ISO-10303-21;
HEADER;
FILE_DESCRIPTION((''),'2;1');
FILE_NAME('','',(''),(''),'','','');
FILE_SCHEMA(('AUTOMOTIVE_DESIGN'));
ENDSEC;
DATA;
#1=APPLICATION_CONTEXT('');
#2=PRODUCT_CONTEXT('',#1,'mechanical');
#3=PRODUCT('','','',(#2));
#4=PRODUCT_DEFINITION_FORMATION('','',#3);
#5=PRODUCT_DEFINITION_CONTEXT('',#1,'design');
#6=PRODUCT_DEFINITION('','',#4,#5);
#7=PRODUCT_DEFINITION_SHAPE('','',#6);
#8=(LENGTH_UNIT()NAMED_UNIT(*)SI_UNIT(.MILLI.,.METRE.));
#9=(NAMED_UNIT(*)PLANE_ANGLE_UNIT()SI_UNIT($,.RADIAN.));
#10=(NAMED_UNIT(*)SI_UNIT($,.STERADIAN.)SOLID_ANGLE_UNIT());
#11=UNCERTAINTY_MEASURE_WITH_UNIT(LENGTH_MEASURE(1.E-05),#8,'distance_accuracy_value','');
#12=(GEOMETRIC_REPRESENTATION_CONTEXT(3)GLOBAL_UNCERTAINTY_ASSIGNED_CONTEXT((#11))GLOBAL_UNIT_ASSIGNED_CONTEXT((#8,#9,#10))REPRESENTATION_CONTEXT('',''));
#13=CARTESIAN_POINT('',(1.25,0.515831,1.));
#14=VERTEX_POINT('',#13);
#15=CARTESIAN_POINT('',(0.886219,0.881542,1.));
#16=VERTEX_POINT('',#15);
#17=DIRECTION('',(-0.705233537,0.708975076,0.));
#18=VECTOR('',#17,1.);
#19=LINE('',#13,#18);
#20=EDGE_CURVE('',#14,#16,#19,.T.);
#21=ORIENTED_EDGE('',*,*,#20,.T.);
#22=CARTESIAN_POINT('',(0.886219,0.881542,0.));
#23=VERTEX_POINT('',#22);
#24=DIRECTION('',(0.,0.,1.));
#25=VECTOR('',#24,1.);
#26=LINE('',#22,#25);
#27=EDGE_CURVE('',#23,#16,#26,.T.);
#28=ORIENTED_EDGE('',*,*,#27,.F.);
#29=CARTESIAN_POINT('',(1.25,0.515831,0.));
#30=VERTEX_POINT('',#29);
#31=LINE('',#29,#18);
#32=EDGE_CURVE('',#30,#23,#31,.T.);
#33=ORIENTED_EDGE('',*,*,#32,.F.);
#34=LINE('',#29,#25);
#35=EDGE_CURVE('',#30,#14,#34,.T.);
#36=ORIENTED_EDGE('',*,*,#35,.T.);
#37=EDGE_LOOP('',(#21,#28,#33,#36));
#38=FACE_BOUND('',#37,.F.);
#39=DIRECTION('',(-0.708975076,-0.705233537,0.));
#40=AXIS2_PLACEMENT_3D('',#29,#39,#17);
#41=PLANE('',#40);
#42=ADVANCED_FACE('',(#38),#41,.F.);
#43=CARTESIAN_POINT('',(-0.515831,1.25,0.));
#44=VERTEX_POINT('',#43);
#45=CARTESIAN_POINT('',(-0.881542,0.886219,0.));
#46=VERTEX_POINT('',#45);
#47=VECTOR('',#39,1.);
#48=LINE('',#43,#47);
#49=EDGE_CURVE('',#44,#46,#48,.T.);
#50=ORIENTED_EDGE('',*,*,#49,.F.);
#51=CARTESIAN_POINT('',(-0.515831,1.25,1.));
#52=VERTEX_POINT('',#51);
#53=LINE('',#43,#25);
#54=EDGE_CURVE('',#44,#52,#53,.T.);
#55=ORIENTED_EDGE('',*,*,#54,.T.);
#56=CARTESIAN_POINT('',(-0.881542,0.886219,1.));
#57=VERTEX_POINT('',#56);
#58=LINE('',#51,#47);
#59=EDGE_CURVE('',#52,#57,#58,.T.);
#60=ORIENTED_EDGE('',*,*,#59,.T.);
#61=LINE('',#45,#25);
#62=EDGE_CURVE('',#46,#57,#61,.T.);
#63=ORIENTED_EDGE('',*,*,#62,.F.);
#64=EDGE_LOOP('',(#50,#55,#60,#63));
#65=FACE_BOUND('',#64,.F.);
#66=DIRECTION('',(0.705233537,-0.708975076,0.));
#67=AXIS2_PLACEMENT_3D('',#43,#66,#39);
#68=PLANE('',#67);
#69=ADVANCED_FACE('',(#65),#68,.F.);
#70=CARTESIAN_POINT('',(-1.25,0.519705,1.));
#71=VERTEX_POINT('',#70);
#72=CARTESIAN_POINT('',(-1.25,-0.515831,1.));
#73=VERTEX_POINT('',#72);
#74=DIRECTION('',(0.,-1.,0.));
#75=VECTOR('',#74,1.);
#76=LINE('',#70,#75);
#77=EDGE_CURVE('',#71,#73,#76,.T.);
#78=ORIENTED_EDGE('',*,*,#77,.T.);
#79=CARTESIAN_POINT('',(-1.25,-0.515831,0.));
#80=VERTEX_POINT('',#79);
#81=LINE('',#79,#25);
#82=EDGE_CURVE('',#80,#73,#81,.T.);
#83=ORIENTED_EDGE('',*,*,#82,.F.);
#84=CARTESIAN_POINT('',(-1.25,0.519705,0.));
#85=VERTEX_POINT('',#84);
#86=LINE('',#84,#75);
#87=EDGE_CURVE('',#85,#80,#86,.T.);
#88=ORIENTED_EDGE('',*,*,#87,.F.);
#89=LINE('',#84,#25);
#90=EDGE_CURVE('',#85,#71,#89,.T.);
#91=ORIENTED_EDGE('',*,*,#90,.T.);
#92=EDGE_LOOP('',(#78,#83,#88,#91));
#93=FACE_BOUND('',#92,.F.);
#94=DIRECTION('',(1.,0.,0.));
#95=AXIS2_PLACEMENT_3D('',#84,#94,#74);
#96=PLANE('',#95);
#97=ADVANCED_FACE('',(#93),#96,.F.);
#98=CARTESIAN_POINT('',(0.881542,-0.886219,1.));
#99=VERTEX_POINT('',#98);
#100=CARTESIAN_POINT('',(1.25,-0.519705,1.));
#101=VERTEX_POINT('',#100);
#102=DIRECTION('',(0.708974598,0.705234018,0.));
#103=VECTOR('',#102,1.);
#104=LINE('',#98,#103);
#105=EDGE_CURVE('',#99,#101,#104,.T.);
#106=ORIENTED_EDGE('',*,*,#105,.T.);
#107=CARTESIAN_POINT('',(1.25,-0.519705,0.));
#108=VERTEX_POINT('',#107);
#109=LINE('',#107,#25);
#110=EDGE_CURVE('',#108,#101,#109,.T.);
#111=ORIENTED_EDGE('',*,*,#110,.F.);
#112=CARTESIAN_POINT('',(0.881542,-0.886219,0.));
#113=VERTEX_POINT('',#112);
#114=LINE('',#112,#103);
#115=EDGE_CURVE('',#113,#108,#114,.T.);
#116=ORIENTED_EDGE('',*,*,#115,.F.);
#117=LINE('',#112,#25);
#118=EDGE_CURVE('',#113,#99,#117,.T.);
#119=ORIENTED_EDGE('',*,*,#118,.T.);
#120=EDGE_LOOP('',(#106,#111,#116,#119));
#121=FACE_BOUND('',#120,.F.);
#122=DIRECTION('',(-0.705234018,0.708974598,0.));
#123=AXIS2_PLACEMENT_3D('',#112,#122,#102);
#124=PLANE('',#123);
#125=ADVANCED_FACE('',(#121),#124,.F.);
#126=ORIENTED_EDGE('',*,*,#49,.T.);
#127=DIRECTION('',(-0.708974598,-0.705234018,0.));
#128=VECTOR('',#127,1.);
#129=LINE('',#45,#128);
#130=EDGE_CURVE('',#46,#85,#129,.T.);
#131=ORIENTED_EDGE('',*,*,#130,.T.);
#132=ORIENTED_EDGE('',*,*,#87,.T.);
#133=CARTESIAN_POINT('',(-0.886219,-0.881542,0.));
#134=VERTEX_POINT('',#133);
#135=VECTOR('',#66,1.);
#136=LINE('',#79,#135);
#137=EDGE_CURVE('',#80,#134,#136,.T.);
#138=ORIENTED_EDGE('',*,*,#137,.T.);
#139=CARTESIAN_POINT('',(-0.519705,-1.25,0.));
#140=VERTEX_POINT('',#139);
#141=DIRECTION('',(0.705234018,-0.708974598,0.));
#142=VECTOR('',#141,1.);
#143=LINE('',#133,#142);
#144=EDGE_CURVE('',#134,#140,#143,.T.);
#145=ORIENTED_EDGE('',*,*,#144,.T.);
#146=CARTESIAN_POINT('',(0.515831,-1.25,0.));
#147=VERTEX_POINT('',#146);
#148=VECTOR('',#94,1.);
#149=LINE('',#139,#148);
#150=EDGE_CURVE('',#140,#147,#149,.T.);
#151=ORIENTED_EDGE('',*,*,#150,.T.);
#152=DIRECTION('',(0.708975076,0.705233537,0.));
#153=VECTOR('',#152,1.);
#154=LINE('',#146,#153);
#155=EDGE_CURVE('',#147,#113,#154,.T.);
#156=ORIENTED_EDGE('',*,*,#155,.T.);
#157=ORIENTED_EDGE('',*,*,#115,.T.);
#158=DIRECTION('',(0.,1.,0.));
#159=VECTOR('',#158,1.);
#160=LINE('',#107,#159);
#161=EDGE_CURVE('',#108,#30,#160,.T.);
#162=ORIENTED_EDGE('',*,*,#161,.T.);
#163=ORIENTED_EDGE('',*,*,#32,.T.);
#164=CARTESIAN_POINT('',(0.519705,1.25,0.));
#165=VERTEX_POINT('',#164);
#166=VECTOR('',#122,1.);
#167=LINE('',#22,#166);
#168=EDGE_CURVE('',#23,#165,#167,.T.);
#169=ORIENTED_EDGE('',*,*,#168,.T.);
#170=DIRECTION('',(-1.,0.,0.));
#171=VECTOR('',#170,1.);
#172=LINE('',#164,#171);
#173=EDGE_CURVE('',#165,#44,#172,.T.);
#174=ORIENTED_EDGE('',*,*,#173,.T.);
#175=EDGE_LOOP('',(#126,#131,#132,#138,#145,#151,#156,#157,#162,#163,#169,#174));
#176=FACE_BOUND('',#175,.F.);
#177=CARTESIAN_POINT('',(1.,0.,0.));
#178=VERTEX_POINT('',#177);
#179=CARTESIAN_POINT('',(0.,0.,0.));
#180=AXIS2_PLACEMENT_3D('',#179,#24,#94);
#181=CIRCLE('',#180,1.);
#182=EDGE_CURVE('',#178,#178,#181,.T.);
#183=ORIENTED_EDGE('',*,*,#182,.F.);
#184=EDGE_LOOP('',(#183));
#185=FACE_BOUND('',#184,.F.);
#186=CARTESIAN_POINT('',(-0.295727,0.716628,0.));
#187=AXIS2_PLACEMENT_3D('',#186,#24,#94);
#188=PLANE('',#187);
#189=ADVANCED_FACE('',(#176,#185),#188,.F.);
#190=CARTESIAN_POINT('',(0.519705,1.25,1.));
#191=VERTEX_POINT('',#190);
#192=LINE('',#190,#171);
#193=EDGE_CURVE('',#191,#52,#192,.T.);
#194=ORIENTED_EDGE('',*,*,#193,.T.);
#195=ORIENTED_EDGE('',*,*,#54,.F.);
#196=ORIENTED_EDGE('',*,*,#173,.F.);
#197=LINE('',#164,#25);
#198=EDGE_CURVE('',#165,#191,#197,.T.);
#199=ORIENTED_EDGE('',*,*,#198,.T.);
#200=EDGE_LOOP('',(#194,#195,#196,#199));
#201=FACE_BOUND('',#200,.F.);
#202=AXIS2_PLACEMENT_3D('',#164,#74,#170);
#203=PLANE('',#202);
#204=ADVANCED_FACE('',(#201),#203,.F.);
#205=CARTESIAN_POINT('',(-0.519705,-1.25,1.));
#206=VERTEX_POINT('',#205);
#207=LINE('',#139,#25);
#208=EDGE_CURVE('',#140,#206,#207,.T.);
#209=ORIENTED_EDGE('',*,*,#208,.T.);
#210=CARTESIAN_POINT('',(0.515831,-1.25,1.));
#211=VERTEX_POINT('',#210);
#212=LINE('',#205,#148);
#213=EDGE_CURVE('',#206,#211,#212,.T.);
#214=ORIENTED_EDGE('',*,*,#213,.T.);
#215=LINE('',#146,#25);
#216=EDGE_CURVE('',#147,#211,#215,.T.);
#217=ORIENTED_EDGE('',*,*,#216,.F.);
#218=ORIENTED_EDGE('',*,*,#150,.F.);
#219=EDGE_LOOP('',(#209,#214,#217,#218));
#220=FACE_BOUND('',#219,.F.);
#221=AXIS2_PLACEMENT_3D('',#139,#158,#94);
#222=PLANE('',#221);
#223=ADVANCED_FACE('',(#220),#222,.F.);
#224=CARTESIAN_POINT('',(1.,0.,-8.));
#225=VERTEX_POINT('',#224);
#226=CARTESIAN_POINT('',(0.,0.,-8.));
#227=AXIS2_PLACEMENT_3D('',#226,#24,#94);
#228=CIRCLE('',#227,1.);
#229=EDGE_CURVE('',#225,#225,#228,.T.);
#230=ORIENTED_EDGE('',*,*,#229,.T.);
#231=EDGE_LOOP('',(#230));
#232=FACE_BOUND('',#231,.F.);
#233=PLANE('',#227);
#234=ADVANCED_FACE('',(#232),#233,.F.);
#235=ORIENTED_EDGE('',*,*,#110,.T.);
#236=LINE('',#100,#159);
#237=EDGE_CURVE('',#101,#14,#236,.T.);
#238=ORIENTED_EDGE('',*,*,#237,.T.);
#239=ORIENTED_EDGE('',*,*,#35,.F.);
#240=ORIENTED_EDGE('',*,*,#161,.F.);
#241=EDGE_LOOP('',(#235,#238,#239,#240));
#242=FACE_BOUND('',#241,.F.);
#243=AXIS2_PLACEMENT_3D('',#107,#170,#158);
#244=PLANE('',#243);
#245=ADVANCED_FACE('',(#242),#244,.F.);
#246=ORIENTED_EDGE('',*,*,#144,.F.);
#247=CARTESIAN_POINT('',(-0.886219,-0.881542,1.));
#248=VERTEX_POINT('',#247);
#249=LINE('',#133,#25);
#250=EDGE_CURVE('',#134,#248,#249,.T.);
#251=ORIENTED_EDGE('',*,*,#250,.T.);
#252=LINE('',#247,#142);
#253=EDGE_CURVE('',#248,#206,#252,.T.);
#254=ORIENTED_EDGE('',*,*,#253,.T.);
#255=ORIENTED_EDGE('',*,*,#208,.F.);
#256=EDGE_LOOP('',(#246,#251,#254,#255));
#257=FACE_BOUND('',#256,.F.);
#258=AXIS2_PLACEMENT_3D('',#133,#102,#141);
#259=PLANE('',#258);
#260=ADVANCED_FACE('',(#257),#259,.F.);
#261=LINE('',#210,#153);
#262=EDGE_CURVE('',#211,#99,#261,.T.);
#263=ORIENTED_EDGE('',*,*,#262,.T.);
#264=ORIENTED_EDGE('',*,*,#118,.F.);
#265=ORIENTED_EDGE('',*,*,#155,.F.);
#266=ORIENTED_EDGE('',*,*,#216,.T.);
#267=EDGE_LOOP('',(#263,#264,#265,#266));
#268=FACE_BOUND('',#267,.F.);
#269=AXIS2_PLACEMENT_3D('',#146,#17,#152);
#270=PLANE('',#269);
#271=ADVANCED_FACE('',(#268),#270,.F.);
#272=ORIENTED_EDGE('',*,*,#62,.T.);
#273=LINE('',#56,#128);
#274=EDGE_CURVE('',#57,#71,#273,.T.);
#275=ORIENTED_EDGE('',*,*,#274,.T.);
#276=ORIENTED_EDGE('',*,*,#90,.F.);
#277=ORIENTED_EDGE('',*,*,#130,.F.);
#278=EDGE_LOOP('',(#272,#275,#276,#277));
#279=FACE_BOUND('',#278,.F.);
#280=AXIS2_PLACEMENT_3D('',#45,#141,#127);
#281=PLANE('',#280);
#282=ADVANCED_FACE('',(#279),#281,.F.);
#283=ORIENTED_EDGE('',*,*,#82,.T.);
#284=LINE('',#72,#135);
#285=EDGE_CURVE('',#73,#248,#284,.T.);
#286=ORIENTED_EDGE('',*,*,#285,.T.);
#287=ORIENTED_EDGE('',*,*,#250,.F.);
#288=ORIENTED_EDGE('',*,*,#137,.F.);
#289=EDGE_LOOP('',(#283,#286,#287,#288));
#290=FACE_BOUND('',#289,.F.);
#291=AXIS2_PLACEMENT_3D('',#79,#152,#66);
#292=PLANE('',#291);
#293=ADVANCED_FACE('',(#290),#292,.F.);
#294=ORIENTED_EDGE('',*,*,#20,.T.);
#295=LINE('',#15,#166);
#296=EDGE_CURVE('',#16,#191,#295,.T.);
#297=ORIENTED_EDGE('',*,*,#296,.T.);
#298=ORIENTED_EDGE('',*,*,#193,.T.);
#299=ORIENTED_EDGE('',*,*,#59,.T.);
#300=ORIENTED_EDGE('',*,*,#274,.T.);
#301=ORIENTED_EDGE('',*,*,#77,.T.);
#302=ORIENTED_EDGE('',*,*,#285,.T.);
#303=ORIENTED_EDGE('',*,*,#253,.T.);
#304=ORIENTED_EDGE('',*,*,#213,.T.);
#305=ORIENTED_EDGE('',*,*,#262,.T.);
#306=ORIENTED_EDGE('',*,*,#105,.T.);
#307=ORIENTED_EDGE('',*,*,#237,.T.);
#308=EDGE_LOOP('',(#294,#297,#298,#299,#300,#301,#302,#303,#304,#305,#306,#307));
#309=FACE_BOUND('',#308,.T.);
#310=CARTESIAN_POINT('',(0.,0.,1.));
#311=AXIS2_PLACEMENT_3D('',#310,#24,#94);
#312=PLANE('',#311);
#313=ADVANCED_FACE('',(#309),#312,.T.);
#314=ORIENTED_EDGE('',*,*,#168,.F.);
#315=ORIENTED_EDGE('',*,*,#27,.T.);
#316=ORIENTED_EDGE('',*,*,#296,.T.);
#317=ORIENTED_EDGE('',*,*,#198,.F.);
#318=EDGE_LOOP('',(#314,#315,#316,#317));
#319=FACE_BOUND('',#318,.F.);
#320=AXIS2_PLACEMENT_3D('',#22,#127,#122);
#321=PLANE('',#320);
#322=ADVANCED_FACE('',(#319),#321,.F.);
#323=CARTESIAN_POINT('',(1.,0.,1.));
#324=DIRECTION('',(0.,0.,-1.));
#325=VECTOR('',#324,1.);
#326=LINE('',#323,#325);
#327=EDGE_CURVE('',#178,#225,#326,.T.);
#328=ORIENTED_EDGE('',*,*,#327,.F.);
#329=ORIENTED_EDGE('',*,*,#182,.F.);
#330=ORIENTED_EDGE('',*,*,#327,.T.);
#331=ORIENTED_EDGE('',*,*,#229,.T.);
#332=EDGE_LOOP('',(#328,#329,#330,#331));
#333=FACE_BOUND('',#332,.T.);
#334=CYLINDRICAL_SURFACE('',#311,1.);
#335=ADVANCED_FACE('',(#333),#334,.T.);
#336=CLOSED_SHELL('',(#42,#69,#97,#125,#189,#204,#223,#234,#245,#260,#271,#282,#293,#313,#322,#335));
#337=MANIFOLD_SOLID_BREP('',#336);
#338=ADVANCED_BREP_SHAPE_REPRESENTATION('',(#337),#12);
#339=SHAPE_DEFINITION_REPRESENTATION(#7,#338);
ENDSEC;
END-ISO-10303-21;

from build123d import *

# Parameters (mm, degrees)
F1_DEPTH = 1
F2_R     = 1
F3_DEPTH = 9


with BuildPart() as f1:
    # F0 (on Top) → F1 (new body)
    with BuildSketch(Plane.XY):
        Polygon((-0.881542, 0.886219), (0, 0), (0, 1.25), (-0.515831, 1.25), align=None)
        Polygon((0.881542, -0.886219), (0, 0), (0, -1.25), (0.515831, -1.25), align=None)
        Polygon((0.886219, 0.881542), (0, 0), (1.25, 0), (1.25, 0.515831), align=None)
        Polygon((-0.886219, -0.881542), (0, 0), (-1.25, 0), (-1.25, -0.515831), align=None)
        Polygon((0, 1.25), (0, 0), (0.886219, 0.881542), (0.519705, 1.25), align=None)
        Polygon((0, -1.25), (0, 0), (-0.886219, -0.881542), (-0.519705, -1.25), align=None)
        Polygon((1.25, 0), (0, 0), (0.881542, -0.886219), (1.25, -0.519705), align=None)
        Polygon((-1.25, 0), (0, 0), (-0.881542, 0.886219), (-1.25, 0.519705), align=None)
    extrude(amount=F1_DEPTH)

    # F2 (on face) → F3 (join)
    with BuildSketch(Plane.XY.offset(1)):
        Circle(F2_R)
    extrude(amount=-F3_DEPTH)


solid = f1.part
